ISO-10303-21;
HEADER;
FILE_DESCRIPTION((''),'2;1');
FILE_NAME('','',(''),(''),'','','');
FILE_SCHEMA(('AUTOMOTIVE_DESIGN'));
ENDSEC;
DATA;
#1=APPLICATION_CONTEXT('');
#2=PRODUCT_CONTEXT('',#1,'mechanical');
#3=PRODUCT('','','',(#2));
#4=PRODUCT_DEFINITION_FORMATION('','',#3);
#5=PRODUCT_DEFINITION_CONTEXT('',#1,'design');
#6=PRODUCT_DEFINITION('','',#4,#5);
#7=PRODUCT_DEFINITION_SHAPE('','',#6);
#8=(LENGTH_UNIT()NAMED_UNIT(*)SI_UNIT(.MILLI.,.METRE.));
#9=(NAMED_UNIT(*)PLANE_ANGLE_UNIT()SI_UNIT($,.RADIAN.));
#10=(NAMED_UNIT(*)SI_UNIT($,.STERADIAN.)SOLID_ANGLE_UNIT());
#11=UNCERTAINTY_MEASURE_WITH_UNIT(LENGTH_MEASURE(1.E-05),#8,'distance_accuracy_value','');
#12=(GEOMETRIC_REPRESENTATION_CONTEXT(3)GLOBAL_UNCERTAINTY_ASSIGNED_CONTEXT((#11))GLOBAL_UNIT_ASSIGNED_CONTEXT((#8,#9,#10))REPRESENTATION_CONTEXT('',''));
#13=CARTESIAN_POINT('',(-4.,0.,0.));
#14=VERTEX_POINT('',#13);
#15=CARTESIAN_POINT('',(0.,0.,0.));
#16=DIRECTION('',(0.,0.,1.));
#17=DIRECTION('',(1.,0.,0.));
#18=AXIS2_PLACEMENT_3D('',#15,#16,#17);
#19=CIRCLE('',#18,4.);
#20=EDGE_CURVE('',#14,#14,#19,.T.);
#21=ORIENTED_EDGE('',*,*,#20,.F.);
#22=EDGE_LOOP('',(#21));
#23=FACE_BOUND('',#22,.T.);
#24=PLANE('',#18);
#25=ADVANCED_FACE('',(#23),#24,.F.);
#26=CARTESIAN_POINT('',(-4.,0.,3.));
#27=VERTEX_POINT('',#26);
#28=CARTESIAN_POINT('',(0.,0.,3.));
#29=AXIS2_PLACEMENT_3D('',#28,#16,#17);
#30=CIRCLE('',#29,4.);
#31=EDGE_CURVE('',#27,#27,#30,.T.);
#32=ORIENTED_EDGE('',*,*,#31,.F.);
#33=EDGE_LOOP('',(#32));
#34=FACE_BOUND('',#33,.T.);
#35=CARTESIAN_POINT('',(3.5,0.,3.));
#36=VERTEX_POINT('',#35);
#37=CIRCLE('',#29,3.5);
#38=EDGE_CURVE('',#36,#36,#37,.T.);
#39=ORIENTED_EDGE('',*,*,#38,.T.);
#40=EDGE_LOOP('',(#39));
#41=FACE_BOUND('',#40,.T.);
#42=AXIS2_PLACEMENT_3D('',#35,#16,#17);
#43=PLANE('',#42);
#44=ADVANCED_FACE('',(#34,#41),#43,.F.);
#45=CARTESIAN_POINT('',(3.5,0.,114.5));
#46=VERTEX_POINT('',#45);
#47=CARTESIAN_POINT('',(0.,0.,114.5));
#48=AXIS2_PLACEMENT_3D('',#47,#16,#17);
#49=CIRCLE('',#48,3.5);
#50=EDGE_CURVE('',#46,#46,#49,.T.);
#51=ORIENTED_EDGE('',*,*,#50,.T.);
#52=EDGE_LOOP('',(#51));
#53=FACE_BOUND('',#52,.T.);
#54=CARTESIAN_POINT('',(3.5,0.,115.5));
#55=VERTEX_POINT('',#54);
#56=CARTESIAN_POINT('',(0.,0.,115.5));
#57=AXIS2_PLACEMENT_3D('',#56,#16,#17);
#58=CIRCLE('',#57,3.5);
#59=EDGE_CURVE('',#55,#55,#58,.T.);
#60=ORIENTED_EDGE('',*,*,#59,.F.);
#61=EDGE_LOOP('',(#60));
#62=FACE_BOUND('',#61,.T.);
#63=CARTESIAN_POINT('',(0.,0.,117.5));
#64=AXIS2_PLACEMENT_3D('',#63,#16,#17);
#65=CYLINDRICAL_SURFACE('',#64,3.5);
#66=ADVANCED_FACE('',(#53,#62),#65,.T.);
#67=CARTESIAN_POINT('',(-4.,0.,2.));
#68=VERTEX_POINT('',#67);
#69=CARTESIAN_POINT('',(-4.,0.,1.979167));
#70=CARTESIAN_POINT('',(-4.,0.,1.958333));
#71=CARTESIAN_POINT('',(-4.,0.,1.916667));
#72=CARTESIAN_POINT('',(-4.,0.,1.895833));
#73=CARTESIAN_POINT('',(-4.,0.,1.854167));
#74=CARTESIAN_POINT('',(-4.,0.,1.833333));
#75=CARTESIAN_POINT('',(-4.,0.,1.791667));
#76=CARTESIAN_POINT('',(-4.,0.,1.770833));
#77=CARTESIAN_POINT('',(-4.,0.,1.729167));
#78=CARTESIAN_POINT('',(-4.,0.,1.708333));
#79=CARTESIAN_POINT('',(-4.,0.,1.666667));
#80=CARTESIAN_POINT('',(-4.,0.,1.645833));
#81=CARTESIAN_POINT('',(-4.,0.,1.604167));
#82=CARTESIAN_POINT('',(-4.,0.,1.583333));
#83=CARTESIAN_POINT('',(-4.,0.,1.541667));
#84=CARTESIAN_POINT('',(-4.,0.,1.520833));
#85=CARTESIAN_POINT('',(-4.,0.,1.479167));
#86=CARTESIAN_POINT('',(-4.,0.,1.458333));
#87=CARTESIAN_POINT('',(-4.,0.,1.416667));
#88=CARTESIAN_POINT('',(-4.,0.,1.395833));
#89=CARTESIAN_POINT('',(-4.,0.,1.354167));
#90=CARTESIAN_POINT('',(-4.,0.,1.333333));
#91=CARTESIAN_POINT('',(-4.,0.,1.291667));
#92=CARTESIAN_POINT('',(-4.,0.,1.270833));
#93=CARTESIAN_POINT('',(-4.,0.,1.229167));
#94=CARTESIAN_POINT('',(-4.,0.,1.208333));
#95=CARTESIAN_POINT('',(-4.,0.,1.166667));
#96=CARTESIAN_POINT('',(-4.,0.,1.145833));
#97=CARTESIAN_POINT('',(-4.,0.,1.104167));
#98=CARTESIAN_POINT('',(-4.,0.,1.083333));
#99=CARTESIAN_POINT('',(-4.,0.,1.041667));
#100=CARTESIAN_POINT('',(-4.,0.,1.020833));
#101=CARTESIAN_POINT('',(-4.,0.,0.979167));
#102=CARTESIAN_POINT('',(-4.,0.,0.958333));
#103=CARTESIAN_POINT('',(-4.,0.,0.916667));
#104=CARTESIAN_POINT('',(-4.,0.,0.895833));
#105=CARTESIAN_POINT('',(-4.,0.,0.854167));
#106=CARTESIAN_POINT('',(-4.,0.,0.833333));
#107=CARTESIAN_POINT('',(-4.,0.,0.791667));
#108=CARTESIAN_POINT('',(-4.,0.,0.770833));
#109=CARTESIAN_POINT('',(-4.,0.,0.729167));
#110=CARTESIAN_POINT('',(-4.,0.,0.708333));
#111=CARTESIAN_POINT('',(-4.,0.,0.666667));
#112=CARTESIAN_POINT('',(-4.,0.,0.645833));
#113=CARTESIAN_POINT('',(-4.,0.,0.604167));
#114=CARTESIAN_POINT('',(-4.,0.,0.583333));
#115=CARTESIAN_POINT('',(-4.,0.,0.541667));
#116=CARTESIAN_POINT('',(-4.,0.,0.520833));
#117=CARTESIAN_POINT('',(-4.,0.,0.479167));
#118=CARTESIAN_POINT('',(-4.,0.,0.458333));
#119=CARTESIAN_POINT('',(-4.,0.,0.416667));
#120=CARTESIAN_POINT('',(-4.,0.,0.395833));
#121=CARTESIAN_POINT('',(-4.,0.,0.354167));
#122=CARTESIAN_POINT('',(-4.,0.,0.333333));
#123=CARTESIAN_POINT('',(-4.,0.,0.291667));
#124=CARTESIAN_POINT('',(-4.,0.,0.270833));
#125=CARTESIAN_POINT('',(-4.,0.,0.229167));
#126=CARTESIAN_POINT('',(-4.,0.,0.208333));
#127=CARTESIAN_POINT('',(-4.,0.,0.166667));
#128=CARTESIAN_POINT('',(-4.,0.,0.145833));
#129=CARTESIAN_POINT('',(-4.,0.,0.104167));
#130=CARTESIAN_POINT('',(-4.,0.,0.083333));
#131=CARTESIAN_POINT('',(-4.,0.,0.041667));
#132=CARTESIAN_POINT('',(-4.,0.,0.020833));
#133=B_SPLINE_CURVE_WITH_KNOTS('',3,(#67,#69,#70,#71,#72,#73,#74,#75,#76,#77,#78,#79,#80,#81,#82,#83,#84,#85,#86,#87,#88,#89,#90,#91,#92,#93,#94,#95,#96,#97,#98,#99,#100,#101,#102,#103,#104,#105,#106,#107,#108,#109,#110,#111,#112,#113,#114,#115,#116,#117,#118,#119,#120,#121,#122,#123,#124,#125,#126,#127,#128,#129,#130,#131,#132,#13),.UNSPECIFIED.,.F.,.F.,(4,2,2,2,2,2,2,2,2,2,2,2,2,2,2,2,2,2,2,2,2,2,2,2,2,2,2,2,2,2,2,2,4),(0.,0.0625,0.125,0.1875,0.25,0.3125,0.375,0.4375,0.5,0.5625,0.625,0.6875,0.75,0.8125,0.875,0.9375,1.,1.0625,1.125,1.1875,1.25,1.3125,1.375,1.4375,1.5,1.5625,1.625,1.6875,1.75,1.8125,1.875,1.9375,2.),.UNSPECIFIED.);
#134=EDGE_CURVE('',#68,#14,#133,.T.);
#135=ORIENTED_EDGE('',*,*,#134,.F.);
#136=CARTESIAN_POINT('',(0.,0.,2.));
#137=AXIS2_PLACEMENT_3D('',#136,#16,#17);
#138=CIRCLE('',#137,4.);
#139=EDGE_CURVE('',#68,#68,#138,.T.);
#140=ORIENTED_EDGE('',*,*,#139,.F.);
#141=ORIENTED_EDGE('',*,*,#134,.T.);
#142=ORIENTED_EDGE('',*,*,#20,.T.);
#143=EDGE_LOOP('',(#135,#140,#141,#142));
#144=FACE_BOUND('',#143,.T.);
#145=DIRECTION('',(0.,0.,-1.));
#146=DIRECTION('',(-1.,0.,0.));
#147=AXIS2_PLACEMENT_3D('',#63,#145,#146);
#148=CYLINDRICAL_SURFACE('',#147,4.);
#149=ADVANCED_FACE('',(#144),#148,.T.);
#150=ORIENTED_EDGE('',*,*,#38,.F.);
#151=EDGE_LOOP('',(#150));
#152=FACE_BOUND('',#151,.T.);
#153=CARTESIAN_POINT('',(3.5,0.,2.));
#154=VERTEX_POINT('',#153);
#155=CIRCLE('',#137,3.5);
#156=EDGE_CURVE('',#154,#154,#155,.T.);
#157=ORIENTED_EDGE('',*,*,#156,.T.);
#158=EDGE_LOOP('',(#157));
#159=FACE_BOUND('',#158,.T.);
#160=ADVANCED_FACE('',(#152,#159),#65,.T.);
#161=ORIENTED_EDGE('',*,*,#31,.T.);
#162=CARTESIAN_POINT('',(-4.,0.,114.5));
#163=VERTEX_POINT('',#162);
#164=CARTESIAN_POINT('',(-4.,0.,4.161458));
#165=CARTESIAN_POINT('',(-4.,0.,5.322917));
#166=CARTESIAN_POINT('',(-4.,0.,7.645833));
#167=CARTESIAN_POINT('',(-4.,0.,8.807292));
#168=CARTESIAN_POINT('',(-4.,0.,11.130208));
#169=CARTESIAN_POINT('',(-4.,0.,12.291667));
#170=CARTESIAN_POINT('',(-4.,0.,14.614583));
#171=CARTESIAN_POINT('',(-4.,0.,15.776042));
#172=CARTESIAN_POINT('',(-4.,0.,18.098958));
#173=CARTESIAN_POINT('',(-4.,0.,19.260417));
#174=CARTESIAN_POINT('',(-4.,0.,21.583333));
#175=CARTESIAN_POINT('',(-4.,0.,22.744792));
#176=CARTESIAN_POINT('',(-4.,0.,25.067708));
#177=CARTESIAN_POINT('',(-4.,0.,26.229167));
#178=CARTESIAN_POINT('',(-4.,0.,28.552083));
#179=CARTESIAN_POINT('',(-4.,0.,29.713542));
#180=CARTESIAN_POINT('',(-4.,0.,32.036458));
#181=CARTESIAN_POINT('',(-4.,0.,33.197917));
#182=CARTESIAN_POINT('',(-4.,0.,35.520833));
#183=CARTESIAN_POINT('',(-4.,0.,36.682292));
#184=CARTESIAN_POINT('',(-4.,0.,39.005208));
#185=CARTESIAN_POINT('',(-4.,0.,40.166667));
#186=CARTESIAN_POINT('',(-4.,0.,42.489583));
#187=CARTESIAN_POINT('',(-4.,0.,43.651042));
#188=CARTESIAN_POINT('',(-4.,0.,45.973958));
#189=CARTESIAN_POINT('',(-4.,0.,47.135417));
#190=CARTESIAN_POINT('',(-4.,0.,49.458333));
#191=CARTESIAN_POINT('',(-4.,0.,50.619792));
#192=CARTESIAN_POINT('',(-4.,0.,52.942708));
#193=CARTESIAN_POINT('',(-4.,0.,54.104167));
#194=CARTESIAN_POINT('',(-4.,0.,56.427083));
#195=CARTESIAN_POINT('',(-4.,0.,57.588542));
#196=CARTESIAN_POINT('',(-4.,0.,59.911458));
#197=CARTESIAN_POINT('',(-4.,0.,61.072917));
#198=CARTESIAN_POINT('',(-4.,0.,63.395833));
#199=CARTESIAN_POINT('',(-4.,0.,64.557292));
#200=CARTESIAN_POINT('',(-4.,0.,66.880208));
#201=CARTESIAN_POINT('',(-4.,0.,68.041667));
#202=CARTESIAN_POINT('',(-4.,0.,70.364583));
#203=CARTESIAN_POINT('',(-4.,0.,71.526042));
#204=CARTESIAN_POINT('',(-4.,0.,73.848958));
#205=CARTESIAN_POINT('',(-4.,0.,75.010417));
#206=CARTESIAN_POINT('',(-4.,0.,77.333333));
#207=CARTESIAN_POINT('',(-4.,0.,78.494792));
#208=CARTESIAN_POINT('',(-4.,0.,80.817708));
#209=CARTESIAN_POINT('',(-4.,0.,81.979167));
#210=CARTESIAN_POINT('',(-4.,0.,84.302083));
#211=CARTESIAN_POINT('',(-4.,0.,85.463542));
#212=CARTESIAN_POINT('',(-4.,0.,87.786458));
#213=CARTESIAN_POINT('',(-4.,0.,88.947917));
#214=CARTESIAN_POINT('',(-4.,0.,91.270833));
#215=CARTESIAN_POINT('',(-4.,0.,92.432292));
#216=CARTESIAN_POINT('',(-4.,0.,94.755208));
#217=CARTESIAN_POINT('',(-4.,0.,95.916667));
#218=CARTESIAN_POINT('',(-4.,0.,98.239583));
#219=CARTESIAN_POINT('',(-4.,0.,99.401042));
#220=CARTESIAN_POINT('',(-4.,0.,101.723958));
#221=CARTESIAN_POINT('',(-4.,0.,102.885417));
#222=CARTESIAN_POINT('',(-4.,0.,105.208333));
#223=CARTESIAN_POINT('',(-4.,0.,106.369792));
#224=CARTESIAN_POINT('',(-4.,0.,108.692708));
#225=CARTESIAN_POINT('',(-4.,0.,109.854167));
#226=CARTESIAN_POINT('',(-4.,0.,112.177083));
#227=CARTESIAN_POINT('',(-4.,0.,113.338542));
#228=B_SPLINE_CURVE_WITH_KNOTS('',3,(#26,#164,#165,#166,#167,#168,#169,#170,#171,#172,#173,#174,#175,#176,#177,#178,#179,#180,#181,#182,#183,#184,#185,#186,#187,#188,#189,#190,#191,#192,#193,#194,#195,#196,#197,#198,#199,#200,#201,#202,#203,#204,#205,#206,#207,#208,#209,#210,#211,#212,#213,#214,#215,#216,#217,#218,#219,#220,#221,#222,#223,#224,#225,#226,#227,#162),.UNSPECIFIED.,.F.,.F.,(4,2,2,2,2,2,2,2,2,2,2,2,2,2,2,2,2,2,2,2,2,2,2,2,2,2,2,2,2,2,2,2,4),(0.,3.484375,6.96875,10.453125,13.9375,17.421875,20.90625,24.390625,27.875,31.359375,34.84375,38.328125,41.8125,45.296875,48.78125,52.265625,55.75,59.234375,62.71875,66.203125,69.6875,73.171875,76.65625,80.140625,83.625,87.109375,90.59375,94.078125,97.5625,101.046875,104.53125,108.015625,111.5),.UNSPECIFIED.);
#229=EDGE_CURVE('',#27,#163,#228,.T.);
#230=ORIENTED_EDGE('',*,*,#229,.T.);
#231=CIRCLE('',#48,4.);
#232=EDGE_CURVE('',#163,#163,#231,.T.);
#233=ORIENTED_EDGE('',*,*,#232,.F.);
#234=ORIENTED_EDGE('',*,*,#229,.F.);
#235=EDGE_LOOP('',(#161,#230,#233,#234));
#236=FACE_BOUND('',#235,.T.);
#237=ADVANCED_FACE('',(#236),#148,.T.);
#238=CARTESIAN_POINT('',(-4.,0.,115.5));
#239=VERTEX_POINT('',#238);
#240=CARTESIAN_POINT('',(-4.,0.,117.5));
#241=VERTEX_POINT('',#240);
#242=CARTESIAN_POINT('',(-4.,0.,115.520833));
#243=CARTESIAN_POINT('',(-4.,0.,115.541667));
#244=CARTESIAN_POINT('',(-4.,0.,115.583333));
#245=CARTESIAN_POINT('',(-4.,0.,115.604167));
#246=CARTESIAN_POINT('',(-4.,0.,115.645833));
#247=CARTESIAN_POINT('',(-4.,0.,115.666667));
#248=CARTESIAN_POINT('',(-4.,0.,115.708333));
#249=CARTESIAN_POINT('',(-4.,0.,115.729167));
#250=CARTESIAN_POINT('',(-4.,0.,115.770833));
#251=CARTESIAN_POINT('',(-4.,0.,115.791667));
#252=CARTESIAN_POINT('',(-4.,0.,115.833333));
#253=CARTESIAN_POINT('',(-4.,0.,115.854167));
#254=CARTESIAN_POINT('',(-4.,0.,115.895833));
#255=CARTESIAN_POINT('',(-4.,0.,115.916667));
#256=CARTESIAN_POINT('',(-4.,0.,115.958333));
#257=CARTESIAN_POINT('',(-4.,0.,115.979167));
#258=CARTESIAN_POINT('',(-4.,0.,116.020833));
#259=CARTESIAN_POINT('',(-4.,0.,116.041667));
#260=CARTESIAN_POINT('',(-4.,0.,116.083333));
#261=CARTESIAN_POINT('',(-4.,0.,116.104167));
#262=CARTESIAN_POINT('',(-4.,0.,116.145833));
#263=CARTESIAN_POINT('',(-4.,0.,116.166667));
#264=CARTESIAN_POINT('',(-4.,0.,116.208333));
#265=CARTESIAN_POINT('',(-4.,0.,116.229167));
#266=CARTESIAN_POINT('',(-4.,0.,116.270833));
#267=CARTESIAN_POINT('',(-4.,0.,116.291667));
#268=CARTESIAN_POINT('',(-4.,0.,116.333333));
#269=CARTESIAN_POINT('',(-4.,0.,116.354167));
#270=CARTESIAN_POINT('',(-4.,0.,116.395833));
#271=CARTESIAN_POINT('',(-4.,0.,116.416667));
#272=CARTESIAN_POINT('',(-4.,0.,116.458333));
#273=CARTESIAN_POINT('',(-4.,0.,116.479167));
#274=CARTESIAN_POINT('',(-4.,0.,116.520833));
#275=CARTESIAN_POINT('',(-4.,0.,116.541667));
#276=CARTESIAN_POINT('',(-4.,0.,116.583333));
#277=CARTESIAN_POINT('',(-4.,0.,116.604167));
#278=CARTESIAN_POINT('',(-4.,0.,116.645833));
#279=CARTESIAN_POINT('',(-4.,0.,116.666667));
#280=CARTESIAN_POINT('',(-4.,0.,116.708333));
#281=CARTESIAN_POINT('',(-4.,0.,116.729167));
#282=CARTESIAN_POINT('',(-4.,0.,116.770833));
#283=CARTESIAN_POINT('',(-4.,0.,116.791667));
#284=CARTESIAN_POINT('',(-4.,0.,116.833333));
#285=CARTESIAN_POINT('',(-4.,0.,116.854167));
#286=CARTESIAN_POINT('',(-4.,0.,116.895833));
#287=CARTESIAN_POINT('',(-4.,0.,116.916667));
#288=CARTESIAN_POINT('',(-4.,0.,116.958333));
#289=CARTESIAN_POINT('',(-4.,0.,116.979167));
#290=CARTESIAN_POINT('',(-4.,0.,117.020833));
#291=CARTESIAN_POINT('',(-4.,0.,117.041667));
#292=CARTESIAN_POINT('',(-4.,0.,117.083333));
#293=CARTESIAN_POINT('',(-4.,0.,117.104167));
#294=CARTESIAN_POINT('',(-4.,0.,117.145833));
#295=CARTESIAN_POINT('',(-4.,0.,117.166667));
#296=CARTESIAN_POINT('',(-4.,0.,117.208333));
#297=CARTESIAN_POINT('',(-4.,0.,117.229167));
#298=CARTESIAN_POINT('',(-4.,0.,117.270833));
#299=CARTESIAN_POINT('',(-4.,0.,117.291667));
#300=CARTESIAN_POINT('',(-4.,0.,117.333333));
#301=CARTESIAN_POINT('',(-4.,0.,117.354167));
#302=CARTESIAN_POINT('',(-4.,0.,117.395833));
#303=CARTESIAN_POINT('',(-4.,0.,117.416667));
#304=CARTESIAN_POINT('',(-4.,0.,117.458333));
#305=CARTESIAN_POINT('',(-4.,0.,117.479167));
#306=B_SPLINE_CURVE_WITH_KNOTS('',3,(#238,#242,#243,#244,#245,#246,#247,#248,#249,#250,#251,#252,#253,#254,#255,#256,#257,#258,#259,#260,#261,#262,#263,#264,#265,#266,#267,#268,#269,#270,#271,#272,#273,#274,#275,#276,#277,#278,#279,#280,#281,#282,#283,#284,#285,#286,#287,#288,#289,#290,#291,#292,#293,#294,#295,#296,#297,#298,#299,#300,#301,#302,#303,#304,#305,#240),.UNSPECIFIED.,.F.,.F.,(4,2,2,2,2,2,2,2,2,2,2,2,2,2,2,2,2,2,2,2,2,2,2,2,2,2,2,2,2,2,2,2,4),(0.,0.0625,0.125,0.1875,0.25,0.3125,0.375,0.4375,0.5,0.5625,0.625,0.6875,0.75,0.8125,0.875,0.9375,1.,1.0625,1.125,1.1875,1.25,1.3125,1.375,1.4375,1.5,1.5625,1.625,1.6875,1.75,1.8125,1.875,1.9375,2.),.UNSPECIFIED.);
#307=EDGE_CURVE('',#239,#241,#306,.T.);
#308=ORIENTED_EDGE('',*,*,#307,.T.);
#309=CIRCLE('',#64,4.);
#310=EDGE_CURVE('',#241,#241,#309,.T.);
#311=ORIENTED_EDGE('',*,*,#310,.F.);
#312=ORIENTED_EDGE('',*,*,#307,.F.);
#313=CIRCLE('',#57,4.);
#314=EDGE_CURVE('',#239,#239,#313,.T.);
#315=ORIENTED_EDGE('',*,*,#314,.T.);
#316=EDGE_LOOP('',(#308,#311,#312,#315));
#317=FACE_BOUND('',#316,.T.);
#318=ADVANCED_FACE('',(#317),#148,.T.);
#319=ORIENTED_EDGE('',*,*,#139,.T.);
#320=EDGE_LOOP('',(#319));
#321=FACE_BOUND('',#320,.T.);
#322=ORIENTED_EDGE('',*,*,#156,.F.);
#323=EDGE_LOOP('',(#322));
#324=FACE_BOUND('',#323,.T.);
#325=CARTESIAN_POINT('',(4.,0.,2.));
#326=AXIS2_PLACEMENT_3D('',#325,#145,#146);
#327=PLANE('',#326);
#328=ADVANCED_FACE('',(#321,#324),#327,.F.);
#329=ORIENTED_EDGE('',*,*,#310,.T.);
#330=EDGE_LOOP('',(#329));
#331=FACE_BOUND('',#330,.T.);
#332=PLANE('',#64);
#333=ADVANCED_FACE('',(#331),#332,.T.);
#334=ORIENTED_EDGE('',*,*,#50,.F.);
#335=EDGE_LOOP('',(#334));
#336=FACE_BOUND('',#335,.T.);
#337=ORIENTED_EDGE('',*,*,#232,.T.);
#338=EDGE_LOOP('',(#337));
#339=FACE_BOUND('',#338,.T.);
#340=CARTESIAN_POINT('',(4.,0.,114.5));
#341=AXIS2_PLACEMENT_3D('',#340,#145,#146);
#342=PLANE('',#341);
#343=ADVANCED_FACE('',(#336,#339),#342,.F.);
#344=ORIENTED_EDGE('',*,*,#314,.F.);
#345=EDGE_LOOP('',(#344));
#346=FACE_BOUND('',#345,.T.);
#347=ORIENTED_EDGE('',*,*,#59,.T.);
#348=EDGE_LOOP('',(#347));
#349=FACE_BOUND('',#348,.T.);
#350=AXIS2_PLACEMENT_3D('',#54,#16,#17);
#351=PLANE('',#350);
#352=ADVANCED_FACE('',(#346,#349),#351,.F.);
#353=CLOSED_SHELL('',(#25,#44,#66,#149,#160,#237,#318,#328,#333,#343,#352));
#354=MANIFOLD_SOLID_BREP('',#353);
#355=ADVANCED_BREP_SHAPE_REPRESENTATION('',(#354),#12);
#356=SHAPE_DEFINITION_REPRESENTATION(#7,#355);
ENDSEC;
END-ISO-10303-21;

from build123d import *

# Parameters (mm, degrees)
SKETCH_1_R      = 4
EXTRUDE_1_DEPTH = 117.5
SKETCH_2_W      = 0.5
SKETCH_2_H      = 1


with BuildPart() as part:
    # ｽｹｯﾁ1 → ﾎﾞｽ - 押し出し1 (new body)
    with BuildSketch(Plane.XY):
        Circle(SKETCH_1_R)
    extrude(amount=EXTRUDE_1_DEPTH)

    # ｽｹｯﾁ2 → ｶｯﾄ - 回転1 (revolve, cut)
    with BuildSketch(Plane(origin=(0, 0, 0), x_dir=(1, 0, 0), z_dir=(0, 1, 0))):
        with Locations((3.75, -2.5)):
            Rectangle(SKETCH_2_W, SKETCH_2_H)
        with Locations((3.75, -115)):
            Rectangle(SKETCH_2_W, SKETCH_2_H)
    revolve(axis=Axis((0, 0, 117.5), (0, 0, -1)), mode=Mode.SUBTRACT)


solid = part.part
